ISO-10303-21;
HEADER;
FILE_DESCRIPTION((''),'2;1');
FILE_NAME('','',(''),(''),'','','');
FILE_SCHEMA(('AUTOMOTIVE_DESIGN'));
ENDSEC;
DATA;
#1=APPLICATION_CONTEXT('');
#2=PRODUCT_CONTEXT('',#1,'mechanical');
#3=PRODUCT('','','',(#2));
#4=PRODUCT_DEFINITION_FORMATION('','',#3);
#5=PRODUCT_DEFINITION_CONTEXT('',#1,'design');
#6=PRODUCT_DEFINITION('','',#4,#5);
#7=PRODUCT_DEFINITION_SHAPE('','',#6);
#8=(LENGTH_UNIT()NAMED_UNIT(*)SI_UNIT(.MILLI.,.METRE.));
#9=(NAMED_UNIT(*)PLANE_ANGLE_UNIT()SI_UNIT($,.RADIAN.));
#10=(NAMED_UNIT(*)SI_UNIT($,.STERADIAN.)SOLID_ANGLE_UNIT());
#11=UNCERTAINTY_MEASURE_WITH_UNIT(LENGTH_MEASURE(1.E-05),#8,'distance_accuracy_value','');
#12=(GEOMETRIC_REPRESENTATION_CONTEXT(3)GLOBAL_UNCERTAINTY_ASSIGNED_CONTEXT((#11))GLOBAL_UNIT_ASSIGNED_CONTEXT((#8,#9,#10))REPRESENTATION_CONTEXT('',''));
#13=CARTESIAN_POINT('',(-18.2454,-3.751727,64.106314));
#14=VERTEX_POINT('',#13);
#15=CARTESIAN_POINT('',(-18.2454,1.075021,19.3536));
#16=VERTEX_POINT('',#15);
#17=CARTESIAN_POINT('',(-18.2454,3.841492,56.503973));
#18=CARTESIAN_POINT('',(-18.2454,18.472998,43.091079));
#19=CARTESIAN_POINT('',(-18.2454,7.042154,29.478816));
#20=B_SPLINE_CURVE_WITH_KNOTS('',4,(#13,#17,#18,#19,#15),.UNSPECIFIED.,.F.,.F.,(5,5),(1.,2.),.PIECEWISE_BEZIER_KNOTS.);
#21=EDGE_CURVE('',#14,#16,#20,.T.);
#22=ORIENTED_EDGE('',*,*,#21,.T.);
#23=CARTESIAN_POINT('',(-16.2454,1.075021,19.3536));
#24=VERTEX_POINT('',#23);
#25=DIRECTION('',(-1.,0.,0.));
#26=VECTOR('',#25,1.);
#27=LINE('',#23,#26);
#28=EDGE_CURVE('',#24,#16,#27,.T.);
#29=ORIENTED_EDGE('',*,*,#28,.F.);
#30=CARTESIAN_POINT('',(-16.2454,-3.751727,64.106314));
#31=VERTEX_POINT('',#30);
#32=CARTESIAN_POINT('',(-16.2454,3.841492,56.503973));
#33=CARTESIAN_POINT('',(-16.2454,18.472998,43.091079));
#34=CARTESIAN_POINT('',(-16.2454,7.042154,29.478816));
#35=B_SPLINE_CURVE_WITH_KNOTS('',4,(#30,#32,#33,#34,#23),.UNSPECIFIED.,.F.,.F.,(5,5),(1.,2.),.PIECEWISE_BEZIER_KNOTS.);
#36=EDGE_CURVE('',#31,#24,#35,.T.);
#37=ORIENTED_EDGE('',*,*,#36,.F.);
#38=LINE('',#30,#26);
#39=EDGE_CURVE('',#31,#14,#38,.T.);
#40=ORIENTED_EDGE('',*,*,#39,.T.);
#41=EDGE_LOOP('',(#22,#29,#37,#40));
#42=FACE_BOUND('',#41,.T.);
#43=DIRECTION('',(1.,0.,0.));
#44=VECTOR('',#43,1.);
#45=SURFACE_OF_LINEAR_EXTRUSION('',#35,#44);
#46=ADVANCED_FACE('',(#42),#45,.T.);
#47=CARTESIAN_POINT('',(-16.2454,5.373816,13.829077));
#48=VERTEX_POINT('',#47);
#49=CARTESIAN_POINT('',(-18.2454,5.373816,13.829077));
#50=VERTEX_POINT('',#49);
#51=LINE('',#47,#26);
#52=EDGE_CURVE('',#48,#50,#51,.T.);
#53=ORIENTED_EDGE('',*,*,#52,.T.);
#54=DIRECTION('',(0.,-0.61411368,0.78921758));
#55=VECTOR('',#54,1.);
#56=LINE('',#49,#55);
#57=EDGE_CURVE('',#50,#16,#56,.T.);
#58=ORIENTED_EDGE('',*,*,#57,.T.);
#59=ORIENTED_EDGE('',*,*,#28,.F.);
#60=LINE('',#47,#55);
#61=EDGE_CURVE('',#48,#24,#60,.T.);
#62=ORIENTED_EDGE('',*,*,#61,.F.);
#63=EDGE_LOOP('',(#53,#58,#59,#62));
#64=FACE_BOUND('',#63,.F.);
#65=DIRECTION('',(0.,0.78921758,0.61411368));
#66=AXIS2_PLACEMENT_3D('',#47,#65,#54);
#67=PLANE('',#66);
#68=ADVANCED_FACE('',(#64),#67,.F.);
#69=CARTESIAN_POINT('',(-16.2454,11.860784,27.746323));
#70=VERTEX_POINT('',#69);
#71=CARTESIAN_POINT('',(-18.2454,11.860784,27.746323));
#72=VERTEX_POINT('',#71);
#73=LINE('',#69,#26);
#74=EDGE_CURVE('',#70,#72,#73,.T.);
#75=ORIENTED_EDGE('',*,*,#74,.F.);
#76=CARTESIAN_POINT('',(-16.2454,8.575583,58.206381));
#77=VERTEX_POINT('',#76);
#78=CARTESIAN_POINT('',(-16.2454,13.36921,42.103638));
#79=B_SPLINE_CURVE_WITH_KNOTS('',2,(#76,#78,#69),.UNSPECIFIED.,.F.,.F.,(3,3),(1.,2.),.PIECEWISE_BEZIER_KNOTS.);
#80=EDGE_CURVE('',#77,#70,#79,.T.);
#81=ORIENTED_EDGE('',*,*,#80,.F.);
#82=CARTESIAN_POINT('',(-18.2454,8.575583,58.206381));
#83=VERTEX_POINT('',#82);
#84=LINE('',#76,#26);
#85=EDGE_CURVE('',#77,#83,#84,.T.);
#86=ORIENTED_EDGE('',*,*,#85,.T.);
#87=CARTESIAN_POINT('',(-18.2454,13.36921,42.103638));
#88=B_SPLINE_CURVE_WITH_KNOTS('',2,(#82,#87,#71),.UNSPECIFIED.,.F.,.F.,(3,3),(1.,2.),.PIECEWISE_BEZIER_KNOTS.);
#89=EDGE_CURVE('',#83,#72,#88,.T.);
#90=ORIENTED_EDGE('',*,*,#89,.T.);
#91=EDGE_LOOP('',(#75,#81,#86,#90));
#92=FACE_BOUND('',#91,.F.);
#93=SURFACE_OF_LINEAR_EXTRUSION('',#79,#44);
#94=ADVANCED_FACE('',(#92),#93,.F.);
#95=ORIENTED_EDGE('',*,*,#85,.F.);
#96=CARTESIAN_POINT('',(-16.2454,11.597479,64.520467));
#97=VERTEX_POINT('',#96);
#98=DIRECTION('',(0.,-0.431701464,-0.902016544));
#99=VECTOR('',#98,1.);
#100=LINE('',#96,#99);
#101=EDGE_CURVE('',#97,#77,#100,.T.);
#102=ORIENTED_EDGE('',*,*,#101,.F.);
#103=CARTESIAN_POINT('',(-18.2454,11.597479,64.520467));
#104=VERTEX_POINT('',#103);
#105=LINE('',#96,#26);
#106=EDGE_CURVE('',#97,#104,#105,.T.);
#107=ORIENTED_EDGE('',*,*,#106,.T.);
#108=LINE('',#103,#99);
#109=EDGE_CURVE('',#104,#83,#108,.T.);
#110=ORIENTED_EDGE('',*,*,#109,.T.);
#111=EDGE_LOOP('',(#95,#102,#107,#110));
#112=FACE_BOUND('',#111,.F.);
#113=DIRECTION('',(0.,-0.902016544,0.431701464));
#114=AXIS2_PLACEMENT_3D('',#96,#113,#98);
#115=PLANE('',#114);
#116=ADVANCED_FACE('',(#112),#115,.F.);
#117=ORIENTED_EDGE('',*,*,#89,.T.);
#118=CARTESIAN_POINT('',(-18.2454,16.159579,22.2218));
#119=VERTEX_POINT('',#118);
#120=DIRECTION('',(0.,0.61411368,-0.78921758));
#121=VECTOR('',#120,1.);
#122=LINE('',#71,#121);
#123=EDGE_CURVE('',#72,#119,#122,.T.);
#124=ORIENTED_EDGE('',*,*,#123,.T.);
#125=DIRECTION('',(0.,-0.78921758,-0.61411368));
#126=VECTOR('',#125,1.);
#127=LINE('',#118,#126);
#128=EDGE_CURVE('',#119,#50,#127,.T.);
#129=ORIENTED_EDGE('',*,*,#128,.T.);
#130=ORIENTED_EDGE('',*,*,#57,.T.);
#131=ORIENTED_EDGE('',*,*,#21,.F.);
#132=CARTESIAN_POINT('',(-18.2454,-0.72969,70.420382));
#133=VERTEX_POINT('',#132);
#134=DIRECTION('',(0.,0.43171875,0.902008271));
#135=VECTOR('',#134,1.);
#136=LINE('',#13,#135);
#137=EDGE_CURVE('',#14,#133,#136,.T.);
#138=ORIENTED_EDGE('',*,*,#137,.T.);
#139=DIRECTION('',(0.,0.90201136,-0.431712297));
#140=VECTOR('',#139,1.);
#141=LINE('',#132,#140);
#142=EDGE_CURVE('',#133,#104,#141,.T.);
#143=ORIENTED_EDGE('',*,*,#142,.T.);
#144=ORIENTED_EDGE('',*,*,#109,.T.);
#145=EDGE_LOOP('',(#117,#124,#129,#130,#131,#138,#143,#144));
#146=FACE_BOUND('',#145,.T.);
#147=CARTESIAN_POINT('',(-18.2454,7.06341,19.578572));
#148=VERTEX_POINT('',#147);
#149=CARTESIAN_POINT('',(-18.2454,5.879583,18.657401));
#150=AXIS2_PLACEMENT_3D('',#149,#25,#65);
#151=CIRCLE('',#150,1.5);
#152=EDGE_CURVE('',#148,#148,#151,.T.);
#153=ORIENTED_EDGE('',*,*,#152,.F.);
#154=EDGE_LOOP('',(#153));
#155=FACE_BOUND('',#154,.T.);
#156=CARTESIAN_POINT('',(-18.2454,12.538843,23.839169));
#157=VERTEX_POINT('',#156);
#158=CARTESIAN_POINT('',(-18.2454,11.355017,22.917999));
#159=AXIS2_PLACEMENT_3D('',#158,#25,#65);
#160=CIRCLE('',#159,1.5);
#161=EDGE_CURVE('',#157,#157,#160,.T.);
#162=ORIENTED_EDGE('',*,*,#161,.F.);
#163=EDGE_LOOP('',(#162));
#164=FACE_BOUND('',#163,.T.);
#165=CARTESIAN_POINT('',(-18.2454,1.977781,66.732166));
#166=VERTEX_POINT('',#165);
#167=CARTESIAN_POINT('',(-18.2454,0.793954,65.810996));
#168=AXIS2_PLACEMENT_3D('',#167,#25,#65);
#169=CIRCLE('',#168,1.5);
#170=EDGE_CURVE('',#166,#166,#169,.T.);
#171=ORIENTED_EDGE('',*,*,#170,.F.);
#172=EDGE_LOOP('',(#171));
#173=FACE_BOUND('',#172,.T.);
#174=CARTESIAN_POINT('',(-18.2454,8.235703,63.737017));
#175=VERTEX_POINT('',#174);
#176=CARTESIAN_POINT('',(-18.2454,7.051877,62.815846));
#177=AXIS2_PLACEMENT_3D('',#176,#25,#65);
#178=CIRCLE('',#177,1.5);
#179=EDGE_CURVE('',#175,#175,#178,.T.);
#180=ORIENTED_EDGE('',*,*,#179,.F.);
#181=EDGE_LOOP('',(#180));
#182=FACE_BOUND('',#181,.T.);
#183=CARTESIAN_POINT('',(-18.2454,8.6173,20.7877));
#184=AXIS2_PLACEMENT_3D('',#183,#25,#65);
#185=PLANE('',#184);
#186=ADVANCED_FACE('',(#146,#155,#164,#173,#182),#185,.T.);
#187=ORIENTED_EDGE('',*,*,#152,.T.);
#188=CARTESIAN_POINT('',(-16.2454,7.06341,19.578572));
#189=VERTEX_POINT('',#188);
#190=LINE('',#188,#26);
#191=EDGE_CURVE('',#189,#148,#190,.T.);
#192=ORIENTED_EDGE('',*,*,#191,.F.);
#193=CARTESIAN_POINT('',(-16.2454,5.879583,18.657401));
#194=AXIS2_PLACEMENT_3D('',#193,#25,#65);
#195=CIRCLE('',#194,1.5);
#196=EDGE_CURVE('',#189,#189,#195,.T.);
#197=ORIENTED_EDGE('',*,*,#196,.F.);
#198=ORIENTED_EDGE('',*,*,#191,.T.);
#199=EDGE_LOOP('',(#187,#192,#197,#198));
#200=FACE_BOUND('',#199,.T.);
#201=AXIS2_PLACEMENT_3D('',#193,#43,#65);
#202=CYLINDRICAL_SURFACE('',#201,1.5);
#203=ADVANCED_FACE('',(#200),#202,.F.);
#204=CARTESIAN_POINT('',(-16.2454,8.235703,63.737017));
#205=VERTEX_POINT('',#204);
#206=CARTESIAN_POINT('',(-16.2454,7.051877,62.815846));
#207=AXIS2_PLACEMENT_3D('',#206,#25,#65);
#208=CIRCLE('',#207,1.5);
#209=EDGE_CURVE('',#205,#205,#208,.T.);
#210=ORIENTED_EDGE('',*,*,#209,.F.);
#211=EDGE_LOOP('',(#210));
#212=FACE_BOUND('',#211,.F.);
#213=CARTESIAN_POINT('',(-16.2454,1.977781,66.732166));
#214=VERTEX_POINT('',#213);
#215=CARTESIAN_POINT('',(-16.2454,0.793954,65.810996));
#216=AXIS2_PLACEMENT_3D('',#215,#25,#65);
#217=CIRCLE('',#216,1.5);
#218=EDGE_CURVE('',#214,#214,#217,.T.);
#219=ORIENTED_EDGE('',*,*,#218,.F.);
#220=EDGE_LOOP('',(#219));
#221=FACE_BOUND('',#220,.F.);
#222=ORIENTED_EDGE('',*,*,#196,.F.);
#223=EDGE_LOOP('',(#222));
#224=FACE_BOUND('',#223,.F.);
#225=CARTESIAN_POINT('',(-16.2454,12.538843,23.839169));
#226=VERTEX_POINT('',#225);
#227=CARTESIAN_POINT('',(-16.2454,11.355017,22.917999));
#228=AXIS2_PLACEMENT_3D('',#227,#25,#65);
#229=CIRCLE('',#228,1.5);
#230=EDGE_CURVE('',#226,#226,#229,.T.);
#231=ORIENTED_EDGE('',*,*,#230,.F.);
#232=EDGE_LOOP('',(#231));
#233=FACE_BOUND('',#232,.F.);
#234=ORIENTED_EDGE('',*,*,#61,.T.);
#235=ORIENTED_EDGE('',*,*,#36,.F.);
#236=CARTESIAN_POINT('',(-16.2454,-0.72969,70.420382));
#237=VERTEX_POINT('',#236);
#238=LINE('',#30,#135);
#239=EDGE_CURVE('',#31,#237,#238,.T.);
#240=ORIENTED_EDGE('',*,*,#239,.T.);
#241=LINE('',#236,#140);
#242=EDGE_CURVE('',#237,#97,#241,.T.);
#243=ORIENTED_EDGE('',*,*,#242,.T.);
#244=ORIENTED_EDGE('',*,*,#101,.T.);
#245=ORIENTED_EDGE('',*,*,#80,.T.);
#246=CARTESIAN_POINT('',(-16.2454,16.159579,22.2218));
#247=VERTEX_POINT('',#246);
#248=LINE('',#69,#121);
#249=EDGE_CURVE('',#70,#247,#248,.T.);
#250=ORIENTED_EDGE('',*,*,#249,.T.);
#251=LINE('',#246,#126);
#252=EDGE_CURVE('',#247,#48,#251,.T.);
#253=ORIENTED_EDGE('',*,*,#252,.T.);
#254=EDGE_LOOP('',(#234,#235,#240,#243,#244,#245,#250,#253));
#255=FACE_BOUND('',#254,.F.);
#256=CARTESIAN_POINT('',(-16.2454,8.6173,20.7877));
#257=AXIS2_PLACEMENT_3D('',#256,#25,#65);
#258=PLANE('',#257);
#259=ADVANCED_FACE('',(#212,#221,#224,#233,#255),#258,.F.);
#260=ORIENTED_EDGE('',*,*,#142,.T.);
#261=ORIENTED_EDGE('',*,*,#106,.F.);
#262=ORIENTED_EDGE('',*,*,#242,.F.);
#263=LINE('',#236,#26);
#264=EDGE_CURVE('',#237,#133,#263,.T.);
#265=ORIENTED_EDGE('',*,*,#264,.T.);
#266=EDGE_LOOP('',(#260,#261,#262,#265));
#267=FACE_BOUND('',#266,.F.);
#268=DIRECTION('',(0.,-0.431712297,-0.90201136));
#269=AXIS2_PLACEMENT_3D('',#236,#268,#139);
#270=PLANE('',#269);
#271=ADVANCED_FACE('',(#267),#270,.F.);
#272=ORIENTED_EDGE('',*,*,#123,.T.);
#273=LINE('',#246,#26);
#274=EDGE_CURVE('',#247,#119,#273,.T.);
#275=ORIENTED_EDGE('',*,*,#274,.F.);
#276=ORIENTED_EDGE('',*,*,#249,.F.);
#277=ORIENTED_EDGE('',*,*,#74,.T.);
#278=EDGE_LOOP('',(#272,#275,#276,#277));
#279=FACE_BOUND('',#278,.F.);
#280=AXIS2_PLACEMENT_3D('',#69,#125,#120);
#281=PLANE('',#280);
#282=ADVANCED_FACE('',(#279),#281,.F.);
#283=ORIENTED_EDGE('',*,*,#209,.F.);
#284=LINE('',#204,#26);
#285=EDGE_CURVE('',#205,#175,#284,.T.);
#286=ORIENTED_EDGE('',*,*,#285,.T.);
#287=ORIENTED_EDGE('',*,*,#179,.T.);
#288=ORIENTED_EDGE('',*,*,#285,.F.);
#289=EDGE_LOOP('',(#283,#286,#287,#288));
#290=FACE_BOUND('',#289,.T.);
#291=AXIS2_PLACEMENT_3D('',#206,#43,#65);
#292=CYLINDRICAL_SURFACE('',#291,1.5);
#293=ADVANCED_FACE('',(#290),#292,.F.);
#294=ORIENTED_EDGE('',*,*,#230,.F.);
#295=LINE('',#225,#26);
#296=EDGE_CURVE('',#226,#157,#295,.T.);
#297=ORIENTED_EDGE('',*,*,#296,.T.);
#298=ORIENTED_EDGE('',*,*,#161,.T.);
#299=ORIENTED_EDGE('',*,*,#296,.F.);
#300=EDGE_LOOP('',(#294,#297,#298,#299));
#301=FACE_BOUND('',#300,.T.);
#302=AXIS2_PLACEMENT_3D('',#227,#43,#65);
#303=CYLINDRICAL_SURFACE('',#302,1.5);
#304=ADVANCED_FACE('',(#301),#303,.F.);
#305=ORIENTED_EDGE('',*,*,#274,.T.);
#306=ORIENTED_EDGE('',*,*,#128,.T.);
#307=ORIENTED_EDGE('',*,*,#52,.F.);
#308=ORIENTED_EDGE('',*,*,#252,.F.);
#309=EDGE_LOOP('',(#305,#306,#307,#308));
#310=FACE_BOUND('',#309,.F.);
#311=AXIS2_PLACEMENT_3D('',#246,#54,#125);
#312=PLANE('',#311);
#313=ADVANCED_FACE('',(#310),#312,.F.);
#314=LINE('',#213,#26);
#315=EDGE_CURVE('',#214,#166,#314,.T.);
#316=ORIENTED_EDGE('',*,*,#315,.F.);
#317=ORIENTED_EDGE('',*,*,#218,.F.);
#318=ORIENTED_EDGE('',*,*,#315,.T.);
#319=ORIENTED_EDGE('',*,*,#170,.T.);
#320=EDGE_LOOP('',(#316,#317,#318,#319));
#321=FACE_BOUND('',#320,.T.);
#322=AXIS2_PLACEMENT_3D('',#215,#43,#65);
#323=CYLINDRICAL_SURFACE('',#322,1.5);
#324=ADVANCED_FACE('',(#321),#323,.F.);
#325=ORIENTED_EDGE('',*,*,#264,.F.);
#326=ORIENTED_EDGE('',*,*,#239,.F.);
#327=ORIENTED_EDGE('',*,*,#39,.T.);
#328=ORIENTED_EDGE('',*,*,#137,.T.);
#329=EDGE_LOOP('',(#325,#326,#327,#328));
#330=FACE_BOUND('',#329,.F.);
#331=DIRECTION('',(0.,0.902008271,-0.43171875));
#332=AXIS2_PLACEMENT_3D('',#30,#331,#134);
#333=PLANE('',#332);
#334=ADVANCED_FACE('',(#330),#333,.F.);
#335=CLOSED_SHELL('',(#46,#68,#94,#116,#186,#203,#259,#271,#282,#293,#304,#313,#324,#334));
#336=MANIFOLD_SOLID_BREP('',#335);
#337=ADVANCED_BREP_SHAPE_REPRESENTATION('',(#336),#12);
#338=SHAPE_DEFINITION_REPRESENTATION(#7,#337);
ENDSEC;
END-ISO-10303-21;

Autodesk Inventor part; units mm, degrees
ref_plane "YZ Plane" through (0, 0, 0) normal (1, 0, 0) x (0, 1, 0)
ref_plane "XZ Plane" through (0, 0, 0) normal (0, 1, 0) x (-1, 0, 0)
ref_plane "XY Plane" through (0, 0, 0) normal (0, 0, 1) x (1, 0, 0)
ref_plane "Work Plane1" through (-16.2454, 8.6173, 20.7877) normal (-1, 0, 0) x (0, 0.7892, 0.6141)
sketch "Sketch1" plane through (-16.2454, 8.6173, 20.7877) normal (-1, 0, 0) x (0, 0.7892, 0.6141)
  circle A0 centre (-3.4689, 0) radius 1.5 projected
  circle A1 centre (3.4689, 0) radius 1.5 projected
  line L0 (6.8332, 3.5) -> (-6.8332, 3.5) projected
  line L1 (6.8332, -3.5) -> (6.8332, 3.5) projected
  line L2 (-6.8332, -3.5) -> (6.8332, -3.5) projected
  line L3 (-6.8332, 3.5) -> (-6.8332, -3.5) projected
  circle A2 centre (24.5746, -34.1307) radius 1.5 projected
  circle A3 centre (21.4751, -40.3376) radius 1.5 projected
  line L4 (23.1033, -44.9111) -> (29.2089, -32.6845) projected
  line L5 (16.8407, -41.7838) -> (23.1033, -44.9111) projected
  line L6 (22.9464, -29.5571) -> (16.8407, -41.7838) projected
  line L7 (29.2089, -32.6845) -> (22.9464, -29.5571) projected
  line L8 (22.9464, -29.5571) -> (16.8407, -13.9047) construction
  line L9 (16.8407, -13.9047) -> (6.8332, -3.5) construction
  spline S0 degree 2 poles (22.9464, -29.5571) (16.8407, -13.9047) (6.8332, -3.5) knots 1 1 1 2 2 2
  line L10 (16.8407, -41.7838) -> (18.1647, -31.1208) construction
  line L11 (18.1647, -31.1208) -> (21.4751, -11.5497) construction
  line L12 (21.4751, -11.5497) -> (4.0942, -7.8265) construction
  line L13 (4.0942, -7.8265) -> (-6.8332, -3.5) construction
  spline S1 degree 4 poles (16.8407, -41.7838) (18.1647, -31.1208) (21.4751, -11.5497) (4.0942, -7.8265) (-6.8332, -3.5) knots 1 1 1 1 1 2 2 2 2 2
  point P0 (-19.5675, 11.1132)
extrude "Extrusion1" add sketch "Sketch1" along normal blind 2
sketch "Sketch2" plane through (-16.2454, 8.6173, 20.7877) normal (1, 0, 0) x (0, 0.6141, -0.7892)
  arc A0 (-35.0948, 17.6868) -> (-34.1088, 18.1743) centre (-34.1796, 17.0766) ccw
  line L0 (-28.2545, 16.9384) -> (-37.6668, 12.2845)
  line L1 (-34.6395, 19.2477) -> (-30.4264, 21.3308)
  line L2 (-29.2877, 20.9456) -> (-15.8136, -6.3052)
  line L3 (-39.8387, 16.6769) -> (-35.6255, 18.7601)
  line L4 (-26.7498, -11.7126) -> (-40.2239, 15.5383)
  line L5 (-27.7829, -7.7054) -> (-18.3706, -3.0515)
  arc A1 (-20.9426, -8.4538) -> (-21.9287, -8.9413) centre (-21.8579, -7.8436) ccw
  point P0 (11.1132, -19.5675)
